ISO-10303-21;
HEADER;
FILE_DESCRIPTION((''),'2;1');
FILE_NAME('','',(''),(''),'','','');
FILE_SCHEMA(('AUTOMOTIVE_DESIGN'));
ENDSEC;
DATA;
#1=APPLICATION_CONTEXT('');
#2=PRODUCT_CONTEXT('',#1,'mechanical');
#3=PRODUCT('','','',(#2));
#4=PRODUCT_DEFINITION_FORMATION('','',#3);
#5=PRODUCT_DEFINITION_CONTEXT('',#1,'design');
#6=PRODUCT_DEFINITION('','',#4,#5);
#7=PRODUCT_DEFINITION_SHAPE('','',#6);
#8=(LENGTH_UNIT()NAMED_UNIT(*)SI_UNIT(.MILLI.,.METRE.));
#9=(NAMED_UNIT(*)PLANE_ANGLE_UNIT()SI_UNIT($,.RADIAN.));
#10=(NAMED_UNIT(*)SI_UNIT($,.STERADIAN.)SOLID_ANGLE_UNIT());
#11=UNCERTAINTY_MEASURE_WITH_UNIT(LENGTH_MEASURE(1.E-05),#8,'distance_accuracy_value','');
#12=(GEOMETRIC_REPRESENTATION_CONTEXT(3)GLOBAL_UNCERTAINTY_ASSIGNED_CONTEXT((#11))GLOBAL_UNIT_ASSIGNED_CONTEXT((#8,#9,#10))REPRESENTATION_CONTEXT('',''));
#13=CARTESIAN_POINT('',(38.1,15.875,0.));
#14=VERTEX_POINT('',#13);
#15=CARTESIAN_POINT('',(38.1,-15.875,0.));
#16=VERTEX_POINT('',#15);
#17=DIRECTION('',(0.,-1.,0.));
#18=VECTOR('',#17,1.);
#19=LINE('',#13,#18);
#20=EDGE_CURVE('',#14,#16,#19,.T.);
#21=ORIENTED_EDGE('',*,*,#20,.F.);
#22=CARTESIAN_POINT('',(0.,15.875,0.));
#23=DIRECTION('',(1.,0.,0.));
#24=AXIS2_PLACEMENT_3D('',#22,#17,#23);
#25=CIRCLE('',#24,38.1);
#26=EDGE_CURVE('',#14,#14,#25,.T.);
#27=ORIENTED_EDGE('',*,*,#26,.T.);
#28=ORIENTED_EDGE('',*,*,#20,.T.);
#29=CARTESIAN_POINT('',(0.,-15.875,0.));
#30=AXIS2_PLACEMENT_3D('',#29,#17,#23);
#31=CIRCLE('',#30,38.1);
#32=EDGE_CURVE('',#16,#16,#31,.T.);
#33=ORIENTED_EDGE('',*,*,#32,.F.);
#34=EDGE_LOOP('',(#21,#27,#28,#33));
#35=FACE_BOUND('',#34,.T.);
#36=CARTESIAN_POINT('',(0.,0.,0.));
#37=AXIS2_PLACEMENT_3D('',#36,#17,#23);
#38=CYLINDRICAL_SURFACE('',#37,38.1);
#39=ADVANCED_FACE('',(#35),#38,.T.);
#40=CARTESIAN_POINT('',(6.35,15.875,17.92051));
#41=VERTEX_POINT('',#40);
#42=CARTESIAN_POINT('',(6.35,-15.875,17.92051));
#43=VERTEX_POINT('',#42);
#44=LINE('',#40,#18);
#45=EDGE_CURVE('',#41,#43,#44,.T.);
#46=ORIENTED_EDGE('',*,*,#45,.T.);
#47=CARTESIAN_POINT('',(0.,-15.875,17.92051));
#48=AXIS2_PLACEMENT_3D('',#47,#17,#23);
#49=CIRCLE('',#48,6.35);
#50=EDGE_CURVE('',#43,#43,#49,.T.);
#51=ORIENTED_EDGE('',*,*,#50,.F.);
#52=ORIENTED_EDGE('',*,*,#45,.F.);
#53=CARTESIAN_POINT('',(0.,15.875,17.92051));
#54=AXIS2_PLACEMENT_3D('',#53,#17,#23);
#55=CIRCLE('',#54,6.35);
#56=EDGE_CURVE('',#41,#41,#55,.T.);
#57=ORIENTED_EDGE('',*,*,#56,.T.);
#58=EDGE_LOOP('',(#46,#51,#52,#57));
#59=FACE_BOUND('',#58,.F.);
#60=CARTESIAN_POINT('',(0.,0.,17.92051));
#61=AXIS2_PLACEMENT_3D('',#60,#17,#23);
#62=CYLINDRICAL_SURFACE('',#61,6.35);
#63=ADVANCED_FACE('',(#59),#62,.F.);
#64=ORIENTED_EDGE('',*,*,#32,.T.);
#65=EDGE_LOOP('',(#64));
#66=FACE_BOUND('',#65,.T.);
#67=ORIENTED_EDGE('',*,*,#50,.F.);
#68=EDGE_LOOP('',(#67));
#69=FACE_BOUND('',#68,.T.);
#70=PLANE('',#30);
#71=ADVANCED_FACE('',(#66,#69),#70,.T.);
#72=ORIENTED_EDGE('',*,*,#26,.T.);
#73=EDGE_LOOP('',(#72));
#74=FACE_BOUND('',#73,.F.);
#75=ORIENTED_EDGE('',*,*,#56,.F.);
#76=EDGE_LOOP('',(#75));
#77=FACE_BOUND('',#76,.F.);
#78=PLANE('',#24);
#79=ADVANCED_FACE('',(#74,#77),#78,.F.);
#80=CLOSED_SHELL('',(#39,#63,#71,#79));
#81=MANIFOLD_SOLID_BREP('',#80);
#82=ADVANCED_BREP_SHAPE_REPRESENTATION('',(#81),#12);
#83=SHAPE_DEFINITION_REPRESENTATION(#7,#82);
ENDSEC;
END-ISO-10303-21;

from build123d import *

# Parameters (mm, degrees)
F0_R     = 38.1
F1_DEPTH = 15.875
F2_R     = 6.35
F3_DEPTH = 15.875


with BuildPart() as f1:
    # F0 (on Front) → F1 (new body, symmetric)
    with BuildSketch(Plane.XZ):
        Circle(F0_R)
    extrude(amount=F1_DEPTH, both=True)

    # F2 (on Front) → F3 (cut, symmetric)
    with BuildSketch(Plane.XZ):
        with Locations((0, 17.92051)):
            Circle(F2_R)
    extrude(amount=F3_DEPTH, both=True, mode=Mode.SUBTRACT)


solid = f1.part
